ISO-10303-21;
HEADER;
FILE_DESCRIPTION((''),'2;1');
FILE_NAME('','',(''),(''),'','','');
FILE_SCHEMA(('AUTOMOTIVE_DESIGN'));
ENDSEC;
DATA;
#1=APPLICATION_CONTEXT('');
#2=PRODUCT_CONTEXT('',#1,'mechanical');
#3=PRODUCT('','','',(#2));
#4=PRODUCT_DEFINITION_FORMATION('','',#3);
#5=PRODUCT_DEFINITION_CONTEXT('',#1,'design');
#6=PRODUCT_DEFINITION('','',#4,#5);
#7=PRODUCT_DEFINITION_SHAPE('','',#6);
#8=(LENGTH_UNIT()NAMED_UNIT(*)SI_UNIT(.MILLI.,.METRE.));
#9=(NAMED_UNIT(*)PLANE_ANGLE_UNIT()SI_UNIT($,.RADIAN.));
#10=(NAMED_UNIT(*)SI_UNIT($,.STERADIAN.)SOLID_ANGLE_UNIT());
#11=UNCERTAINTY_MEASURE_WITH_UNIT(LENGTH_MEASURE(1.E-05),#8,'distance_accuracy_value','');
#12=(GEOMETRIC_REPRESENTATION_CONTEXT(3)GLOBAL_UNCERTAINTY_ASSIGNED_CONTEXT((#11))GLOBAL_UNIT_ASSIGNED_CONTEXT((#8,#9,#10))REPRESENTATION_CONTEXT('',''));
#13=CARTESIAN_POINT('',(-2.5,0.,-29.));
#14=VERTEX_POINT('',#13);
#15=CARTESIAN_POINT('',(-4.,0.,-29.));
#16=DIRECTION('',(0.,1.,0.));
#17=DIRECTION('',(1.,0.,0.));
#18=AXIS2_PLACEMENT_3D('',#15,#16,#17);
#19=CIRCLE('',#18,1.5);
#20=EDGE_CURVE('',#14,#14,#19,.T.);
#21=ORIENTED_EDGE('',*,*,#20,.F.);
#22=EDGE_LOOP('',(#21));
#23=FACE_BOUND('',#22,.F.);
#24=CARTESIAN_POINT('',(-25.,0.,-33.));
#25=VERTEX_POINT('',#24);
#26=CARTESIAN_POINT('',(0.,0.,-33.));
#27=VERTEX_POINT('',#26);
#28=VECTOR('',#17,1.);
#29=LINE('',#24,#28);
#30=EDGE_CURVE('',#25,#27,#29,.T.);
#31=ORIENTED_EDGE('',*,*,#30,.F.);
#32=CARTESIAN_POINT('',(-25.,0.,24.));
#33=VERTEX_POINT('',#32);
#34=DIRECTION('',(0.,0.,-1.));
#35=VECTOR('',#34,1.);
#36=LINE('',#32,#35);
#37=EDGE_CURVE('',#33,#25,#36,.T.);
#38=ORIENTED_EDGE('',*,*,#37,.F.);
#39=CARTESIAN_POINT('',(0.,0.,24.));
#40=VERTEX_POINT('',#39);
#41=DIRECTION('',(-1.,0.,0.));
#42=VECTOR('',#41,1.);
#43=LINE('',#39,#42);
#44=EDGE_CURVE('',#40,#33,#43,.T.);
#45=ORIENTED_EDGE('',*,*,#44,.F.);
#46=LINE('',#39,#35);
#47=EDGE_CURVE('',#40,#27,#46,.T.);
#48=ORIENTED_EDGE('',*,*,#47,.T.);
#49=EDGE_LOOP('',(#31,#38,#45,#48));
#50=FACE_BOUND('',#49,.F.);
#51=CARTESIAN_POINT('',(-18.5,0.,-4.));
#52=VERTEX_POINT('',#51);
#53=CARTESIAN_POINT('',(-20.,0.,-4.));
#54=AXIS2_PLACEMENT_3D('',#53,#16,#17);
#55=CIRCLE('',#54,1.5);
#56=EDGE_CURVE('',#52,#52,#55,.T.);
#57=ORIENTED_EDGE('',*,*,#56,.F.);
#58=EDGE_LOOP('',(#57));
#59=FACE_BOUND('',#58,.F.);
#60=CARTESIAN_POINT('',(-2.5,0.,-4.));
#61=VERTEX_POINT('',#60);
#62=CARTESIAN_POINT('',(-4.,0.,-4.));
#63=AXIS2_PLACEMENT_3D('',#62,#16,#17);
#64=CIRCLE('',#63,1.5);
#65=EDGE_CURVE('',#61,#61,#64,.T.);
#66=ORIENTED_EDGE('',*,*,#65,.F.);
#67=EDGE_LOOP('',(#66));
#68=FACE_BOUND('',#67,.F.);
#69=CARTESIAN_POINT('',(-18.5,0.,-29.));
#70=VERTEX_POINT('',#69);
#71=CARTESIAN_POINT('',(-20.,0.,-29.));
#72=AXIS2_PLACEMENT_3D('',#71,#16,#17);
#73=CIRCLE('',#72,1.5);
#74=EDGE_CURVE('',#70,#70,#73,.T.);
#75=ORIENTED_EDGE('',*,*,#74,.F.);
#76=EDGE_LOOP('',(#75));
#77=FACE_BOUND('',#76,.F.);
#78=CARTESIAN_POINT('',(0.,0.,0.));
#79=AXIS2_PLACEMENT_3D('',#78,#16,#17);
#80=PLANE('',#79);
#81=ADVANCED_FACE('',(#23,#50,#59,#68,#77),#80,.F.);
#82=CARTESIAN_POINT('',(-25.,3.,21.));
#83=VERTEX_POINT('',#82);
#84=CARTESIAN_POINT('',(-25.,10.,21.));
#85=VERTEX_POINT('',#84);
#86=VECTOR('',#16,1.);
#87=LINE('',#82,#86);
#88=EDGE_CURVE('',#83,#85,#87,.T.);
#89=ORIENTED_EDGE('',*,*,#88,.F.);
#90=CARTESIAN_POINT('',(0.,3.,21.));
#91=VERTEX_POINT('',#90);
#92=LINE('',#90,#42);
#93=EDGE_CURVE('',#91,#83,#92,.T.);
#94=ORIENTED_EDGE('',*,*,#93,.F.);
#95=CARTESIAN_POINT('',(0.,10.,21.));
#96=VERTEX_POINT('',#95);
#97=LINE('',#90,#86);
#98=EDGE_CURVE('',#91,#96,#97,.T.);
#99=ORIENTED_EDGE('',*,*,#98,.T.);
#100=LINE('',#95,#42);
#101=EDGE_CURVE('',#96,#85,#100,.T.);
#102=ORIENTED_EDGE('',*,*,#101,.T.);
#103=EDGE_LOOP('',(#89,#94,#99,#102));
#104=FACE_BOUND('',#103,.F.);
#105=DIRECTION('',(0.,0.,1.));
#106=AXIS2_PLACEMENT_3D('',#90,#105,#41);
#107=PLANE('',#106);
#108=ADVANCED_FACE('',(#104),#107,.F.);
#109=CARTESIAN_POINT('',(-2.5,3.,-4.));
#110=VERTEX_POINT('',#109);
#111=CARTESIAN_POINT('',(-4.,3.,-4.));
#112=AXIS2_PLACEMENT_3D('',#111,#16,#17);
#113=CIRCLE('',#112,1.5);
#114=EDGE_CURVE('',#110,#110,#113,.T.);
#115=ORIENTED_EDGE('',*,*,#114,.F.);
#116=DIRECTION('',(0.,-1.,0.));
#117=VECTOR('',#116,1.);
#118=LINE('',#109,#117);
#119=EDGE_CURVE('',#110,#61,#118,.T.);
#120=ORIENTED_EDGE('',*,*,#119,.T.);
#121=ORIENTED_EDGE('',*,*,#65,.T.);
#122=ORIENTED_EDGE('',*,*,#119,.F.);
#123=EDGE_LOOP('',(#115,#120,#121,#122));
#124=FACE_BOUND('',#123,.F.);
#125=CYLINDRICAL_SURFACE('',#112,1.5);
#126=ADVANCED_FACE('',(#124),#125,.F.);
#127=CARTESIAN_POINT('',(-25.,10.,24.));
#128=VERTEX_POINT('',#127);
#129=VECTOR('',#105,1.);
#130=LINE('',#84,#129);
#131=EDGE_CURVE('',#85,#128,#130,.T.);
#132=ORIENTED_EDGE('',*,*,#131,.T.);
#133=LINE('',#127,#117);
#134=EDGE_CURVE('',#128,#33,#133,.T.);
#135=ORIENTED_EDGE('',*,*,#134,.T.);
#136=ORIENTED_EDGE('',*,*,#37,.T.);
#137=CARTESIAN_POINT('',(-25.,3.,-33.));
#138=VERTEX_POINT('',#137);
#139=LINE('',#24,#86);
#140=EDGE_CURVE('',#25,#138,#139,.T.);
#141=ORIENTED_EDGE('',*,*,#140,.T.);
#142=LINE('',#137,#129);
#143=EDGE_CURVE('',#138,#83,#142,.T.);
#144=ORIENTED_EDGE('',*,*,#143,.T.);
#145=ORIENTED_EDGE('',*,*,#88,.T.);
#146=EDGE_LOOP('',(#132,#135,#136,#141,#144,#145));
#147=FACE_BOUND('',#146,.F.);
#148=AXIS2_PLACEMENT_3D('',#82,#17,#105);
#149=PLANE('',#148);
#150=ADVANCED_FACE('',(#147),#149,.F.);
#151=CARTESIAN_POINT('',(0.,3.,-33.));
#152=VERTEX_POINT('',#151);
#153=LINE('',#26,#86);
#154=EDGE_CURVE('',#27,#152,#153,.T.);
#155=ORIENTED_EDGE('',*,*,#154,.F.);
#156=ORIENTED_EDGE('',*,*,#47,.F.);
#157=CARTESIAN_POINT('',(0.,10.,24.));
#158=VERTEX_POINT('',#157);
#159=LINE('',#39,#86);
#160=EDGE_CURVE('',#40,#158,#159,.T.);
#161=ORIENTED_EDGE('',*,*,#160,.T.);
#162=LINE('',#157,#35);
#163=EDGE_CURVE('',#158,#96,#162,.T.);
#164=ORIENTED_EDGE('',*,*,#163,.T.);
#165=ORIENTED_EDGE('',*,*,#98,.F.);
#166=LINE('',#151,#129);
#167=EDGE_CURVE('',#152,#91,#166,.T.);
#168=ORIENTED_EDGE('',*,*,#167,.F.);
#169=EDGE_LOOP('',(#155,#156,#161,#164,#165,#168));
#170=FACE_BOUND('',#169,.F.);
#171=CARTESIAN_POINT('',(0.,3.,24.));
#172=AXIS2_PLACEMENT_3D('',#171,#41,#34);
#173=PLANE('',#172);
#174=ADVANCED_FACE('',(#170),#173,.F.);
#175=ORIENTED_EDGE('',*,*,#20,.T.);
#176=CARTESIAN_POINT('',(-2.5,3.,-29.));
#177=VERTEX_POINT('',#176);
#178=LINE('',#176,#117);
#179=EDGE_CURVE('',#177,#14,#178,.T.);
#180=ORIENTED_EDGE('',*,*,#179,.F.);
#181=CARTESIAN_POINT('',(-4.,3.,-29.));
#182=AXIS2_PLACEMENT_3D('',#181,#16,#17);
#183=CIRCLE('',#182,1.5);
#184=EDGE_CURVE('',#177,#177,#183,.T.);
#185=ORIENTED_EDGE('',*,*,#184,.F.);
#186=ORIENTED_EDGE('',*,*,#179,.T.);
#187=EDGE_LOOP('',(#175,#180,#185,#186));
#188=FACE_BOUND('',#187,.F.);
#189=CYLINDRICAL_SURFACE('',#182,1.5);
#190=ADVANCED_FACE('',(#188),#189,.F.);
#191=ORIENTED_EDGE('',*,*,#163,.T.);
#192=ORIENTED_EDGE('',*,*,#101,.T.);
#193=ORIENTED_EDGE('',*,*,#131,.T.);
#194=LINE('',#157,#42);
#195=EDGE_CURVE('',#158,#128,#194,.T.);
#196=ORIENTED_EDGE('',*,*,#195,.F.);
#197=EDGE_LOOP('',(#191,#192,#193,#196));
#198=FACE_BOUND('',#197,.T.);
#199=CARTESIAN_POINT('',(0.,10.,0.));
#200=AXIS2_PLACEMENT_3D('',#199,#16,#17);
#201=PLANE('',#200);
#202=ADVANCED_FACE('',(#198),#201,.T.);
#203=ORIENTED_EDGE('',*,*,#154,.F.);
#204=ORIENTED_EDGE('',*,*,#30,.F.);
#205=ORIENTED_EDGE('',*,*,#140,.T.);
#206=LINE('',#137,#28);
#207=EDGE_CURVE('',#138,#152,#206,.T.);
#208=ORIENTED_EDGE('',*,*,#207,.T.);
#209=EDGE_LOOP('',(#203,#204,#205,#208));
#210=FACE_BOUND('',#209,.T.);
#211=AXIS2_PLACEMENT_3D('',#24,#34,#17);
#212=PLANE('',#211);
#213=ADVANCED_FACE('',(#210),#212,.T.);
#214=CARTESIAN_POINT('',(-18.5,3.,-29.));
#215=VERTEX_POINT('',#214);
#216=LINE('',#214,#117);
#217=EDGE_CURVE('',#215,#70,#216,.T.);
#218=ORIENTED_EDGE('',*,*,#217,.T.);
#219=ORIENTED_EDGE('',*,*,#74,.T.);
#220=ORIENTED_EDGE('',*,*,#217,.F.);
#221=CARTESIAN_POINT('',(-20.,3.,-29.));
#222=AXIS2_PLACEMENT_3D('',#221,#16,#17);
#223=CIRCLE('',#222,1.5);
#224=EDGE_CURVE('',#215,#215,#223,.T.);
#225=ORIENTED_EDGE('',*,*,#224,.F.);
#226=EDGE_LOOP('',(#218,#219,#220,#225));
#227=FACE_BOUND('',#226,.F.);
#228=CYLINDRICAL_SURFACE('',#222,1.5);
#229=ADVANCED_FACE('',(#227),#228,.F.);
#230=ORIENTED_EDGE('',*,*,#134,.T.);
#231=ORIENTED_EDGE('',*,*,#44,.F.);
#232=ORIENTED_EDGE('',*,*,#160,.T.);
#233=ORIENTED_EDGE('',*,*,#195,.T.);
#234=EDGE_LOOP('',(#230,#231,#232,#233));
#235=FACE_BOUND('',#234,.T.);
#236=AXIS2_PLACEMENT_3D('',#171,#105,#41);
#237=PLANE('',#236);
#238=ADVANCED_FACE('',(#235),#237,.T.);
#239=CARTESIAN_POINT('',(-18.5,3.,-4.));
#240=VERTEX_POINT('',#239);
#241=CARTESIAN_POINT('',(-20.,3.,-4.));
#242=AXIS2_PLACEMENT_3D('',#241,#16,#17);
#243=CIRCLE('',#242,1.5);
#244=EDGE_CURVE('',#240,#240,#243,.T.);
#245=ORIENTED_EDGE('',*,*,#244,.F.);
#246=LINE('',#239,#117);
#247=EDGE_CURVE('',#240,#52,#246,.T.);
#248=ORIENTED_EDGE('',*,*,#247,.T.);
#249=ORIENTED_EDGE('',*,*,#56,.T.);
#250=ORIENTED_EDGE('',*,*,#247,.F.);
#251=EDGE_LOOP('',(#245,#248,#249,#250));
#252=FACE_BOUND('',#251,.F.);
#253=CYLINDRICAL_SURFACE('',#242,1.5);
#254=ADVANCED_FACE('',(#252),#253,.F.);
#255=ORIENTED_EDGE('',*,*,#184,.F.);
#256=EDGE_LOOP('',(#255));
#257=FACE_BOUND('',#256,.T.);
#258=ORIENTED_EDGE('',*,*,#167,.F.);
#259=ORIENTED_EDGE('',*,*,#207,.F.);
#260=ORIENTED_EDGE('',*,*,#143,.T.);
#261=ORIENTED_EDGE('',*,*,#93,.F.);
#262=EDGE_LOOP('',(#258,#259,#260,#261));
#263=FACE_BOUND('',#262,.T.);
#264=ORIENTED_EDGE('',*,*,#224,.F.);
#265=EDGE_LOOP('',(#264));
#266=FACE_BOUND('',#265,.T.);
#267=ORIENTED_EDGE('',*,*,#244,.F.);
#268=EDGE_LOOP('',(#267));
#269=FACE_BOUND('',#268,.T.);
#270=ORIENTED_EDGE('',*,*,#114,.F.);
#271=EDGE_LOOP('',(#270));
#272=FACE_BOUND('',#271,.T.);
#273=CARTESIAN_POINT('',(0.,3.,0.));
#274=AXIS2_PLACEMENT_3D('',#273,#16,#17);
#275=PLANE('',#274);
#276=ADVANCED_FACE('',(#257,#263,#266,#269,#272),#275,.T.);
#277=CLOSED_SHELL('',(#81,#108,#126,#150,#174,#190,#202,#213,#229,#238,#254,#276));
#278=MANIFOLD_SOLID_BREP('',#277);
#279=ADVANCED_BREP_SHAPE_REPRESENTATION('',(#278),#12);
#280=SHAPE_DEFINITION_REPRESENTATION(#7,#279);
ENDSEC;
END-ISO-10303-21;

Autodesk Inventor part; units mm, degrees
ref_plane "YZ Plane" through (0, 0, 0) normal (1, 0, 0) x (0, 1, 0)
ref_plane "XZ Plane" through (0, 0, 0) normal (0, 1, 0) x (-1, 0, 0)
ref_plane "XY Plane" through (0, 0, 0) normal (0, 0, 1) x (1, 0, 0)
sketch "Sketch3" plane through (0, 0, 0) normal (0, 1, 0) x (-1, 0, 0)
  line L0 (0, 0) -> (25, 0)
  line L1 (25, 0) -> (25, -33)
  line L2 (25, -33) -> (0, -33)
  line L3 (0, -33) -> (0, 0)
  dimension "d6" = 25
  dimension "d7" = 33
extrude "Extrusion2" add sketch "Sketch3" along normal blind 3
sketch "Sketch4" plane through (0, 3, 0) normal (0, 1, 0) x (1, 0, 0)
  circle A0 centre (-4, 4) radius 1.5
  line L0 (0, 0) -> (0, 33) projected
  line L1 (-25, 0) -> (0, 0) projected
  circle A1 centre (-4, 29) radius 1.5
  line L2 (0, 33) -> (-25, 33) projected
  circle A2 centre (-20, 4) radius 1.5
  line L3 (-25, 33) -> (-25, 0) projected
  circle A3 centre (-20, 29) radius 1.5
  dimension "d16" = 3
  dimension "d17" = 4
  dimension "d18" = 4
  dimension "d19" = 3
  dimension "d20" = 4
  dimension "d21" = 4
  dimension "d22" = 3
  dimension "d23" = 16
  dimension "d24" = 4
  dimension "d25" = 5
  dimension "d26" = 3
  dimension "d27" = 4
  dimension "d28" = 16
  dimension "d29" = 25
extrude "Extrusion3" cut sketch "Sketch4" against normal blind 3 contours A0 | A1 | A2 | A3
sketch "Sketch7" plane through (0, 3, 0) normal (0, 1, 0) x (1, 0, 0)
  line L0 (-25, 33) -> (-25, 0) projected
  line L1 (-25, 0) -> (0, 0)
  line L2 (0, 0) -> (0, -24)
  line L3 (0, -24) -> (-25, -24)
  line L4 (-25, -24) -> (-25, 0)
  dimension "d55" = 24
extrude "Extrusion6" add sketch "Sketch7" against normal blind 3
sketch "Sketch8" plane through (0, 3, 0) normal (0, 1, 0) x (1, 0, 0)
  line L0 (0, -24) -> (-25, -24) projected
  line L1 (-25, -24) -> (0, -24)
  line L2 (0, -24) -> (0, -21)
  line L3 (0, -21) -> (-25, -21)
  line L4 (-25, -21) -> (-25, -24)
  point P0 (0, 0)
  dimension "d58" = 25
  dimension "d59" = 3
extrude "Extrusion7" add sketch "Sketch8" along normal blind 7
properties part number "CamBracket"
